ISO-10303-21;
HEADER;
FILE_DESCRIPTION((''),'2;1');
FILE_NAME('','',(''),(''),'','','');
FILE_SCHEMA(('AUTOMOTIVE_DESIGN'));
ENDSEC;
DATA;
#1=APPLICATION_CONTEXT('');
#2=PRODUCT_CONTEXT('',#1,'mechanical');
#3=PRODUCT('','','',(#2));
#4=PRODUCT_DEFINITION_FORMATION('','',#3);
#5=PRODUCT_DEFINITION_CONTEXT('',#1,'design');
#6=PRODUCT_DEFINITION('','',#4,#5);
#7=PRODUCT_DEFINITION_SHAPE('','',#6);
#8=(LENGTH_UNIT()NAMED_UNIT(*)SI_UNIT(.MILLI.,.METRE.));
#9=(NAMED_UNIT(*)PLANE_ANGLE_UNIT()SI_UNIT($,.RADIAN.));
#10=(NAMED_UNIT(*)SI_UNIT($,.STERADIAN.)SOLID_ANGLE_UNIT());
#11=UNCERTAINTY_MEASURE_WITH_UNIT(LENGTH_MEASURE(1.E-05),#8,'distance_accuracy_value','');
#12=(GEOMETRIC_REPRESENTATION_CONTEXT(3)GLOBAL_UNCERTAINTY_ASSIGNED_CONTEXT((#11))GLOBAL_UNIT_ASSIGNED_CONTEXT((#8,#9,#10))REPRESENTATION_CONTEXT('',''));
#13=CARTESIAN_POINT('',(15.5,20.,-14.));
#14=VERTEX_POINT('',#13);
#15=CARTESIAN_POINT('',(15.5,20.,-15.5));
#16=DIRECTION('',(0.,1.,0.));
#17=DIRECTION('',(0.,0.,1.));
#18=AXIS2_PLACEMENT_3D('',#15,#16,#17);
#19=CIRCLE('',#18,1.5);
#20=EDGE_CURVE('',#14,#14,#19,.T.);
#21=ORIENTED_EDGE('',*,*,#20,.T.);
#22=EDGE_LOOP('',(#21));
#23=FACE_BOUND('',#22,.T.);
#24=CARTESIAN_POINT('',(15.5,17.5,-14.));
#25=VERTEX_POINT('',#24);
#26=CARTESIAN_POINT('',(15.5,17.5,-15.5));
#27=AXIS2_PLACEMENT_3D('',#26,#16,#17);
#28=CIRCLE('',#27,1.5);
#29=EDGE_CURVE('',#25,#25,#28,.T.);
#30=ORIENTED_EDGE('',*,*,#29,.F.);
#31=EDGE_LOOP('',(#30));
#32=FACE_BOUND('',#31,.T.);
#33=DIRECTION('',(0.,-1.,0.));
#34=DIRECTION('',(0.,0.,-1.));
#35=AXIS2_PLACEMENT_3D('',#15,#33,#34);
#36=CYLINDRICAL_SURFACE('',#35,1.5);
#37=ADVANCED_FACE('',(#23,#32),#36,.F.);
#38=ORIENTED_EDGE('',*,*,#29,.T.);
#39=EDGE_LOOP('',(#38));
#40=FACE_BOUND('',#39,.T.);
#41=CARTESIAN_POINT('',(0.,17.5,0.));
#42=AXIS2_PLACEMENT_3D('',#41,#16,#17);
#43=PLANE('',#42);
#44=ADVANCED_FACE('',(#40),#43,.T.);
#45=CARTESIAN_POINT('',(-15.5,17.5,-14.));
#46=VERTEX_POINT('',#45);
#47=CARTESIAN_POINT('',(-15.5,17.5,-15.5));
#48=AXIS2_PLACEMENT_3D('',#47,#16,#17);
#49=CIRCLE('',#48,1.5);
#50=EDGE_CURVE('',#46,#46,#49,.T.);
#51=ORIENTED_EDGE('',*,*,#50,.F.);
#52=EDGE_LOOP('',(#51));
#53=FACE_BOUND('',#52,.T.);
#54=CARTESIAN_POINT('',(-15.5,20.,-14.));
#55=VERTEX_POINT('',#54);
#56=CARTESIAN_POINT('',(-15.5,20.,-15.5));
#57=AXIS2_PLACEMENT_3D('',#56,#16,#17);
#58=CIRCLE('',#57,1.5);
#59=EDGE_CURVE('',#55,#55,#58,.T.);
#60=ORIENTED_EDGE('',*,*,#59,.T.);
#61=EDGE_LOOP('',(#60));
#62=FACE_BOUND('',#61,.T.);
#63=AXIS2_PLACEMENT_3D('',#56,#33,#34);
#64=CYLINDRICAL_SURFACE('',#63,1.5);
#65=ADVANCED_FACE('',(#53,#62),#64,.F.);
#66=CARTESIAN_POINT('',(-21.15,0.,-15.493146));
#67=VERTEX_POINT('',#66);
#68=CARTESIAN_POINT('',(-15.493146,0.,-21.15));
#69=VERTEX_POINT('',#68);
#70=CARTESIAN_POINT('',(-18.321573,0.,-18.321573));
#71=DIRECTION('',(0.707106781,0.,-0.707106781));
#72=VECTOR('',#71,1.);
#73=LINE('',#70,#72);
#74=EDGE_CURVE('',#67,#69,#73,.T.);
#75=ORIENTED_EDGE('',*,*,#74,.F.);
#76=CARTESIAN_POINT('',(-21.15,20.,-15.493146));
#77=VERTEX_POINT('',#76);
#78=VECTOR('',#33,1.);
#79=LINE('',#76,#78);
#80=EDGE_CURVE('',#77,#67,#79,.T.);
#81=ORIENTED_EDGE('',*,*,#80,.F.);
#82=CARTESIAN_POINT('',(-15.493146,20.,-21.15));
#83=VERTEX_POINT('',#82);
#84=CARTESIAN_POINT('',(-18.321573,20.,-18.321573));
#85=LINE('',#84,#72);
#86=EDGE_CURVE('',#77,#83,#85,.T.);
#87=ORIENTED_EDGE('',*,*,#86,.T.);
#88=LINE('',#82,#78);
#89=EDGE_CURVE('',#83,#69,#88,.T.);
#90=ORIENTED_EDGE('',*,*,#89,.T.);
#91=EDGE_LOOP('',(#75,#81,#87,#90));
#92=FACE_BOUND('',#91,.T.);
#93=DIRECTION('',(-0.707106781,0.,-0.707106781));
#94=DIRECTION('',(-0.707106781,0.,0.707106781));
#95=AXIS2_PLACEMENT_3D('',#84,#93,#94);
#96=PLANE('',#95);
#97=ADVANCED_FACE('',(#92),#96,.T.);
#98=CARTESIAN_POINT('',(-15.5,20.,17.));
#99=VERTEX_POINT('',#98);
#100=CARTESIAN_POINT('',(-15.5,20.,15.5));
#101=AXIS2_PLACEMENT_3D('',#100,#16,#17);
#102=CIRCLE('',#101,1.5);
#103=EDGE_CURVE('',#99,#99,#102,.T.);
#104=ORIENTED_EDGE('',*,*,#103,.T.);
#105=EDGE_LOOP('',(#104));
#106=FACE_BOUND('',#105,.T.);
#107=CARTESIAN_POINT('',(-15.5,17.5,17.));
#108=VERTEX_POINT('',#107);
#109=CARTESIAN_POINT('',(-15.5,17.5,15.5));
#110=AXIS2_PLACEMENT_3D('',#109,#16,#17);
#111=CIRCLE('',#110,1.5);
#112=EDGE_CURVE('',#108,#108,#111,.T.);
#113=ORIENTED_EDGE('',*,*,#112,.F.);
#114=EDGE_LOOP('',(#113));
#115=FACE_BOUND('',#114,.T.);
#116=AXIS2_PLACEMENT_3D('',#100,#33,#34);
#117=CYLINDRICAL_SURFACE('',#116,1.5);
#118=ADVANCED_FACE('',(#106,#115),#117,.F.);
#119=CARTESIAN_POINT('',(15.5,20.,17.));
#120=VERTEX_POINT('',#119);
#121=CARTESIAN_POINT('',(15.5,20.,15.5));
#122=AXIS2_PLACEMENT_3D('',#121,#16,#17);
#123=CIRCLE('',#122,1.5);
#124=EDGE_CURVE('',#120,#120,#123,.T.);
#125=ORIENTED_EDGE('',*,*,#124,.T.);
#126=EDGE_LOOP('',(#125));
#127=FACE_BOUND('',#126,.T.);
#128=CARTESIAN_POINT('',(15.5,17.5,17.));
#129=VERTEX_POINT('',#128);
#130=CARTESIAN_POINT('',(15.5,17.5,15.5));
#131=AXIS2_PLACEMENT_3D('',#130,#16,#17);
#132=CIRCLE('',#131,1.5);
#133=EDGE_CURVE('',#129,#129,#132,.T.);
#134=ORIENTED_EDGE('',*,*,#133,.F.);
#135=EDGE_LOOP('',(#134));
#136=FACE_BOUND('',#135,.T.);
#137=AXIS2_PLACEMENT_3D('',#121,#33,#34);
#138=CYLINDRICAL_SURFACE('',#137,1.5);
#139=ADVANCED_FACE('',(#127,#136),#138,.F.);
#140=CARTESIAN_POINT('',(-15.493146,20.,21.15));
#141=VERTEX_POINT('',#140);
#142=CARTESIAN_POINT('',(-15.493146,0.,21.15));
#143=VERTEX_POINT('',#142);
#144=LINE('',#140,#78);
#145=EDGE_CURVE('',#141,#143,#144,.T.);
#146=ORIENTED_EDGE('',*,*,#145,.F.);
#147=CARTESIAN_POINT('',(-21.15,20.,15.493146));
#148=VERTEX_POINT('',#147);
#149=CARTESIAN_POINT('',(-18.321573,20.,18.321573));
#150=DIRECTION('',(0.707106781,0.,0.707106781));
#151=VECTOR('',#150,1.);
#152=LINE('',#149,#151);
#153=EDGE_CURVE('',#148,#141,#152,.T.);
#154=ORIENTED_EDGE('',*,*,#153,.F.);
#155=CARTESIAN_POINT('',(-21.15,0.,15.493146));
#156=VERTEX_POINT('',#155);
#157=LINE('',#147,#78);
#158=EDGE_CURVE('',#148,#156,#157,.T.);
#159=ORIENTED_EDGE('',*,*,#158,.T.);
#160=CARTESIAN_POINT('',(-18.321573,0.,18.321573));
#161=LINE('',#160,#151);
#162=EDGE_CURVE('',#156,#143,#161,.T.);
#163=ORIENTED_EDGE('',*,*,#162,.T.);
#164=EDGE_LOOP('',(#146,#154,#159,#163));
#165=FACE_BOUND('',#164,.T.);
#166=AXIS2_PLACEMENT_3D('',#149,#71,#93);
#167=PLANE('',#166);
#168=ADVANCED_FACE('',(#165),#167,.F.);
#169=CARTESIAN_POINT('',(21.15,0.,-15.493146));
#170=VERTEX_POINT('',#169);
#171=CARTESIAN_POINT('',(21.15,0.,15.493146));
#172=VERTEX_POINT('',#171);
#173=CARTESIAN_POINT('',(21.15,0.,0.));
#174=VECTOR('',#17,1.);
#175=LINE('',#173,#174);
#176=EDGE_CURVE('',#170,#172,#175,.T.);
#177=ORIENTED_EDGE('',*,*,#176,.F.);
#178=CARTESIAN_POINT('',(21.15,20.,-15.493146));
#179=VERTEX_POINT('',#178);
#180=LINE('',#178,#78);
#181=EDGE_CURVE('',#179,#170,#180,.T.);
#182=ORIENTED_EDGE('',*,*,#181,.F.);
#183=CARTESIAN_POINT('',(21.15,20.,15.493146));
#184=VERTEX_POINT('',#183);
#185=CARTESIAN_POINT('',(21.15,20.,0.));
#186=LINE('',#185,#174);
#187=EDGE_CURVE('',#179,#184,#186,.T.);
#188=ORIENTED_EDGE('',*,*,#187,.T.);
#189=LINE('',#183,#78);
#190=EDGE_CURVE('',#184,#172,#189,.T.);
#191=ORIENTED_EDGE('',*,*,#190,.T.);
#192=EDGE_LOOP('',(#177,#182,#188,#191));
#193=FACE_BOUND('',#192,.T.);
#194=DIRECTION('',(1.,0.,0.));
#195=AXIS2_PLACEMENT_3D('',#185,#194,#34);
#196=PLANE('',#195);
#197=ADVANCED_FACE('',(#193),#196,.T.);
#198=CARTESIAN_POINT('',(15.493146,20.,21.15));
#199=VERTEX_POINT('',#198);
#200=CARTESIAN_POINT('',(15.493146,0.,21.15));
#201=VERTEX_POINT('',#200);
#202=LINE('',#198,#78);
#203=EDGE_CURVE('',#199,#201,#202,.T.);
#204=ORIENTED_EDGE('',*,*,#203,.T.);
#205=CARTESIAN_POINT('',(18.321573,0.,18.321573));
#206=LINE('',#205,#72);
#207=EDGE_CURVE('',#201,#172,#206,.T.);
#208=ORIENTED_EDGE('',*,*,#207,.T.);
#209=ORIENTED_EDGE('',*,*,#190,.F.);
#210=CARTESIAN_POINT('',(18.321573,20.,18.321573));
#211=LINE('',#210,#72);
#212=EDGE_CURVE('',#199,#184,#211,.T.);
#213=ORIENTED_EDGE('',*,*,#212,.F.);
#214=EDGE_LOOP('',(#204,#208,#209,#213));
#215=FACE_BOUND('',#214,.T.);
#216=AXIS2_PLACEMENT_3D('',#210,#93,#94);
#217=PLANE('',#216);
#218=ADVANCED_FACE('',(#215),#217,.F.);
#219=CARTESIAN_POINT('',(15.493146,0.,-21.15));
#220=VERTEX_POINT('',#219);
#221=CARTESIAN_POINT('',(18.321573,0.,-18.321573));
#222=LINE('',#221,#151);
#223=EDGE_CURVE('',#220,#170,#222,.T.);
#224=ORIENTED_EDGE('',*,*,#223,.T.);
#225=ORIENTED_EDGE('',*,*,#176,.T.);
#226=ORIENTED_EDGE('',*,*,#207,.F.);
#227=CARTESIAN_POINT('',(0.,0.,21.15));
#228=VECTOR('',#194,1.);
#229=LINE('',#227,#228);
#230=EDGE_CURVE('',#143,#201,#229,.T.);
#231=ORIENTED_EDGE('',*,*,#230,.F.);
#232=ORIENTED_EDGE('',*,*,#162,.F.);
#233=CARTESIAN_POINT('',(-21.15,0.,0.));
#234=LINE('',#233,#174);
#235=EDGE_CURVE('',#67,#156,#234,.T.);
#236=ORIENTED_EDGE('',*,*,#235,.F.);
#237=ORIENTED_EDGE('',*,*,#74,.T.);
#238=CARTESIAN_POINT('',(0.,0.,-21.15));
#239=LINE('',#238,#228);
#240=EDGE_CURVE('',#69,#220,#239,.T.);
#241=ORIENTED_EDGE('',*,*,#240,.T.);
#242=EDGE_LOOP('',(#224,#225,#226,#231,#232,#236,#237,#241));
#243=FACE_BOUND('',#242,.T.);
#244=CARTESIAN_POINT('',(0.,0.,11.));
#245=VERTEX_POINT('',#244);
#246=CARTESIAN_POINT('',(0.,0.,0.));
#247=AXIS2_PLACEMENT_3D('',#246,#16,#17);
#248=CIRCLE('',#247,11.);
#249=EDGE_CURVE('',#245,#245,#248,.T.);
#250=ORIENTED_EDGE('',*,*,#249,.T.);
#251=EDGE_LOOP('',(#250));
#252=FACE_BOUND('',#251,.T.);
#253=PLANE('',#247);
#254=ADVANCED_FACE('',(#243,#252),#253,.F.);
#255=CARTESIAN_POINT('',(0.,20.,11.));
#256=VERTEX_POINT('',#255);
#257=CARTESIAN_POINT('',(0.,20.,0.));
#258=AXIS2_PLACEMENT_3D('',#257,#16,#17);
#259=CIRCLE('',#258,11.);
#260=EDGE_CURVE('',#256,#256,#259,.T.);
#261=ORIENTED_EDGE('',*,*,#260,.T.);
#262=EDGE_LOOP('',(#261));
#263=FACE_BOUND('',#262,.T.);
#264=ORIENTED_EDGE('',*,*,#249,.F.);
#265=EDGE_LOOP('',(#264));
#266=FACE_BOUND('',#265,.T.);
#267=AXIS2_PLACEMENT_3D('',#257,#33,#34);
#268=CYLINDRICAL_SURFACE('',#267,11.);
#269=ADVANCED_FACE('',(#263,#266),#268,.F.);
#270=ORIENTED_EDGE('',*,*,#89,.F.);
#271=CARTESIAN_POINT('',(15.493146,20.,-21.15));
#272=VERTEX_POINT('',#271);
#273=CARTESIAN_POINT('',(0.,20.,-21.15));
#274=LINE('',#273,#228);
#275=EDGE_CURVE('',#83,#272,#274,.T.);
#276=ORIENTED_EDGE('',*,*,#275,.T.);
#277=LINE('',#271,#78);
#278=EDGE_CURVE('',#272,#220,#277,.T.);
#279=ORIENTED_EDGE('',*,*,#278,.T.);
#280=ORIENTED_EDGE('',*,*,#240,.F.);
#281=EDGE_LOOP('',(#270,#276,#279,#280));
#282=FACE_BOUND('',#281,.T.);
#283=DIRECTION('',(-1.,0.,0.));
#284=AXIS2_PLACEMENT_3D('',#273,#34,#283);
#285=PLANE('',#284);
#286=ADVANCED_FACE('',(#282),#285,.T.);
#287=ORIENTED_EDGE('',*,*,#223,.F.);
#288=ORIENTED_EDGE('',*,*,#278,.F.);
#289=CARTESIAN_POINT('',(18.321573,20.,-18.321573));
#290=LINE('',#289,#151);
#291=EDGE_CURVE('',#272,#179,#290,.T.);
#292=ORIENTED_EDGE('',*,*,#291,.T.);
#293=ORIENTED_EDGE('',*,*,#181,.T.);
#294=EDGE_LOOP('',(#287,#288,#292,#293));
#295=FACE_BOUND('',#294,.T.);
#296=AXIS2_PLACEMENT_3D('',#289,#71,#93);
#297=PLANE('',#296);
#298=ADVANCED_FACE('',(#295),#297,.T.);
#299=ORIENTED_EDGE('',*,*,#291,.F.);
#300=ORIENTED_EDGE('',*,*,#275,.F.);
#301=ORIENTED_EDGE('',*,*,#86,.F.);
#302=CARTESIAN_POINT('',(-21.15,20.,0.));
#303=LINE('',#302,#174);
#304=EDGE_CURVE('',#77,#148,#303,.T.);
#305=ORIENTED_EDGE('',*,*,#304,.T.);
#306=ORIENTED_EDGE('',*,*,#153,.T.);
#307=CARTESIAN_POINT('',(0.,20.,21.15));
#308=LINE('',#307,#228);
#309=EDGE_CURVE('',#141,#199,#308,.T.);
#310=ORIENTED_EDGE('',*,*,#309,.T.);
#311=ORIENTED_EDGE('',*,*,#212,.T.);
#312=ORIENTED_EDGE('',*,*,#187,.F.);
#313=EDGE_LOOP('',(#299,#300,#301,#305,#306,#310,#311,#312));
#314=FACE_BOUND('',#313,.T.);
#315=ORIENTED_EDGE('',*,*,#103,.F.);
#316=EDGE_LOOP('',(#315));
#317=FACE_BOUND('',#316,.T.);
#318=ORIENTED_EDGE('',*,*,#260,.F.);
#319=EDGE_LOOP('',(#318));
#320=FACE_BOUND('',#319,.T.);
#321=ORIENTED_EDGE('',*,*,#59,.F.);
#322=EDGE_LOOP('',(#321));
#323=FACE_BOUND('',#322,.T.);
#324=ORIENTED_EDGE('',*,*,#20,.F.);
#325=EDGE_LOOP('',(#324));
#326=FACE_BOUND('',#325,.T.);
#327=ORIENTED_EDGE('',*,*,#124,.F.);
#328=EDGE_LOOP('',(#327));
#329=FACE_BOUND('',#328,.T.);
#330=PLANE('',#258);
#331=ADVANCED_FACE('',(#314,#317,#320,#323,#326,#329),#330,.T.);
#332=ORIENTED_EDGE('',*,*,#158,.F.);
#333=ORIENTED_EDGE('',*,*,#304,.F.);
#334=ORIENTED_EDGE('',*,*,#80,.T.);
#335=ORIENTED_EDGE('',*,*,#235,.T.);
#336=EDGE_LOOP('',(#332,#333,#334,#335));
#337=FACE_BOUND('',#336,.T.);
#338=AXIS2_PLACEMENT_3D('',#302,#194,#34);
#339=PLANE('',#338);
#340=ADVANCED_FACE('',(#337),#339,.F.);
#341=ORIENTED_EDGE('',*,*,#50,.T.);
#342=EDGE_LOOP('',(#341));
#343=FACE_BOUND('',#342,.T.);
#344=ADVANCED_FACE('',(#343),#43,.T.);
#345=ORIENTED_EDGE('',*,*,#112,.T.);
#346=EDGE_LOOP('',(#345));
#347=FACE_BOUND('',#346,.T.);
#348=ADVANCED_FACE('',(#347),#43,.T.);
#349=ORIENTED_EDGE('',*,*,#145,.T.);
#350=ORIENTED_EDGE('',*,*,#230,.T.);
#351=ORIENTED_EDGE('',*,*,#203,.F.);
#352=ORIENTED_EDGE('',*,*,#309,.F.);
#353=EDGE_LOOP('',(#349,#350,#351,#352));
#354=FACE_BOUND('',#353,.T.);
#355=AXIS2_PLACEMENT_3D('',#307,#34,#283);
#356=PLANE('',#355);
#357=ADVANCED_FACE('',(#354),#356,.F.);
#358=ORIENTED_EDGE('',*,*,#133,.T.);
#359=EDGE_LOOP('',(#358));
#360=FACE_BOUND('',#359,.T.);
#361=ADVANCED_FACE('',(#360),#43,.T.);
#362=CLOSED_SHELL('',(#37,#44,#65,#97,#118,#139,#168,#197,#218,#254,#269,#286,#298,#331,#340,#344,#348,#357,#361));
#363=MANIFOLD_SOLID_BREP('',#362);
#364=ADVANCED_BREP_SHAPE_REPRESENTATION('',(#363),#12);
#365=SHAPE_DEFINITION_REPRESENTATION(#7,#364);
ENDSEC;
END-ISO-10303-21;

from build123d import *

# Parameters (mm, degrees)
SKETCH1_R           = 1.5
SKETCH1_R_2         = 11
BOSS_EXTRUDE1_DEPTH = 20
SKETCH1_3_R         = 1.5
BOSS_EXTRUDE2_DEPTH = 17.5


with BuildPart() as part:
    # Sketch1 → Boss-Extrude1 (new body)
    with BuildSketch(Plane(origin=(0, 0, 0), x_dir=(1, 0, 0), z_dir=(0, 1, 0))):
        Polygon((-15.493145751, 21.15), (-21.15, 15.493145751), (-21.15, -15.493145751), (-15.493145751, -21.15), (15.493145751, -21.15), (21.15, -15.493145751), (21.15, 15.493145751), (15.493145751, 21.15), (12, 21.15), (-12, 21.15), align=None)
        with Locations(Location((-15.5, -15.5, 0), (0, 0, 270))):
            Circle(SKETCH1_R, mode=Mode.SUBTRACT)
        with Locations(Location((15.5, -15.5, 0), (0, 0, 270))):
            Circle(SKETCH1_R, mode=Mode.SUBTRACT)
        with Locations(Location((0, 0, 0), (0, 0, 270))):
            Circle(SKETCH1_R_2, mode=Mode.SUBTRACT)
        with Locations(Location((-15.5, 15.5, 0), (0, 0, 270))):
            Circle(SKETCH1_R, mode=Mode.SUBTRACT)
        with Locations(Location((15.5, 15.5, 0), (0, 0, 270))):
            Circle(SKETCH1_R, mode=Mode.SUBTRACT)
    extrude(amount=BOSS_EXTRUDE1_DEPTH)

    # Sketch1<3> → Boss-Extrude2 (add)
    with BuildSketch(Plane(origin=(0, 0, 0), x_dir=(1, 0, 0), z_dir=(0, 1, 0))):
        with Locations(Location((15.5, -15.5, 0), (0, 0, 270))):
            Circle(SKETCH1_3_R)
        with Locations(Location((-15.5, -15.5, 0), (0, 0, 270))):
            Circle(SKETCH1_3_R)
        with Locations(Location((15.5, 15.5, 0), (0, 0, 270))):
            Circle(SKETCH1_3_R)
        with Locations(Location((-15.5, 15.5, 0), (0, 0, 270))):
            Circle(SKETCH1_3_R)
    extrude(amount=BOSS_EXTRUDE2_DEPTH)


solid = part.part
